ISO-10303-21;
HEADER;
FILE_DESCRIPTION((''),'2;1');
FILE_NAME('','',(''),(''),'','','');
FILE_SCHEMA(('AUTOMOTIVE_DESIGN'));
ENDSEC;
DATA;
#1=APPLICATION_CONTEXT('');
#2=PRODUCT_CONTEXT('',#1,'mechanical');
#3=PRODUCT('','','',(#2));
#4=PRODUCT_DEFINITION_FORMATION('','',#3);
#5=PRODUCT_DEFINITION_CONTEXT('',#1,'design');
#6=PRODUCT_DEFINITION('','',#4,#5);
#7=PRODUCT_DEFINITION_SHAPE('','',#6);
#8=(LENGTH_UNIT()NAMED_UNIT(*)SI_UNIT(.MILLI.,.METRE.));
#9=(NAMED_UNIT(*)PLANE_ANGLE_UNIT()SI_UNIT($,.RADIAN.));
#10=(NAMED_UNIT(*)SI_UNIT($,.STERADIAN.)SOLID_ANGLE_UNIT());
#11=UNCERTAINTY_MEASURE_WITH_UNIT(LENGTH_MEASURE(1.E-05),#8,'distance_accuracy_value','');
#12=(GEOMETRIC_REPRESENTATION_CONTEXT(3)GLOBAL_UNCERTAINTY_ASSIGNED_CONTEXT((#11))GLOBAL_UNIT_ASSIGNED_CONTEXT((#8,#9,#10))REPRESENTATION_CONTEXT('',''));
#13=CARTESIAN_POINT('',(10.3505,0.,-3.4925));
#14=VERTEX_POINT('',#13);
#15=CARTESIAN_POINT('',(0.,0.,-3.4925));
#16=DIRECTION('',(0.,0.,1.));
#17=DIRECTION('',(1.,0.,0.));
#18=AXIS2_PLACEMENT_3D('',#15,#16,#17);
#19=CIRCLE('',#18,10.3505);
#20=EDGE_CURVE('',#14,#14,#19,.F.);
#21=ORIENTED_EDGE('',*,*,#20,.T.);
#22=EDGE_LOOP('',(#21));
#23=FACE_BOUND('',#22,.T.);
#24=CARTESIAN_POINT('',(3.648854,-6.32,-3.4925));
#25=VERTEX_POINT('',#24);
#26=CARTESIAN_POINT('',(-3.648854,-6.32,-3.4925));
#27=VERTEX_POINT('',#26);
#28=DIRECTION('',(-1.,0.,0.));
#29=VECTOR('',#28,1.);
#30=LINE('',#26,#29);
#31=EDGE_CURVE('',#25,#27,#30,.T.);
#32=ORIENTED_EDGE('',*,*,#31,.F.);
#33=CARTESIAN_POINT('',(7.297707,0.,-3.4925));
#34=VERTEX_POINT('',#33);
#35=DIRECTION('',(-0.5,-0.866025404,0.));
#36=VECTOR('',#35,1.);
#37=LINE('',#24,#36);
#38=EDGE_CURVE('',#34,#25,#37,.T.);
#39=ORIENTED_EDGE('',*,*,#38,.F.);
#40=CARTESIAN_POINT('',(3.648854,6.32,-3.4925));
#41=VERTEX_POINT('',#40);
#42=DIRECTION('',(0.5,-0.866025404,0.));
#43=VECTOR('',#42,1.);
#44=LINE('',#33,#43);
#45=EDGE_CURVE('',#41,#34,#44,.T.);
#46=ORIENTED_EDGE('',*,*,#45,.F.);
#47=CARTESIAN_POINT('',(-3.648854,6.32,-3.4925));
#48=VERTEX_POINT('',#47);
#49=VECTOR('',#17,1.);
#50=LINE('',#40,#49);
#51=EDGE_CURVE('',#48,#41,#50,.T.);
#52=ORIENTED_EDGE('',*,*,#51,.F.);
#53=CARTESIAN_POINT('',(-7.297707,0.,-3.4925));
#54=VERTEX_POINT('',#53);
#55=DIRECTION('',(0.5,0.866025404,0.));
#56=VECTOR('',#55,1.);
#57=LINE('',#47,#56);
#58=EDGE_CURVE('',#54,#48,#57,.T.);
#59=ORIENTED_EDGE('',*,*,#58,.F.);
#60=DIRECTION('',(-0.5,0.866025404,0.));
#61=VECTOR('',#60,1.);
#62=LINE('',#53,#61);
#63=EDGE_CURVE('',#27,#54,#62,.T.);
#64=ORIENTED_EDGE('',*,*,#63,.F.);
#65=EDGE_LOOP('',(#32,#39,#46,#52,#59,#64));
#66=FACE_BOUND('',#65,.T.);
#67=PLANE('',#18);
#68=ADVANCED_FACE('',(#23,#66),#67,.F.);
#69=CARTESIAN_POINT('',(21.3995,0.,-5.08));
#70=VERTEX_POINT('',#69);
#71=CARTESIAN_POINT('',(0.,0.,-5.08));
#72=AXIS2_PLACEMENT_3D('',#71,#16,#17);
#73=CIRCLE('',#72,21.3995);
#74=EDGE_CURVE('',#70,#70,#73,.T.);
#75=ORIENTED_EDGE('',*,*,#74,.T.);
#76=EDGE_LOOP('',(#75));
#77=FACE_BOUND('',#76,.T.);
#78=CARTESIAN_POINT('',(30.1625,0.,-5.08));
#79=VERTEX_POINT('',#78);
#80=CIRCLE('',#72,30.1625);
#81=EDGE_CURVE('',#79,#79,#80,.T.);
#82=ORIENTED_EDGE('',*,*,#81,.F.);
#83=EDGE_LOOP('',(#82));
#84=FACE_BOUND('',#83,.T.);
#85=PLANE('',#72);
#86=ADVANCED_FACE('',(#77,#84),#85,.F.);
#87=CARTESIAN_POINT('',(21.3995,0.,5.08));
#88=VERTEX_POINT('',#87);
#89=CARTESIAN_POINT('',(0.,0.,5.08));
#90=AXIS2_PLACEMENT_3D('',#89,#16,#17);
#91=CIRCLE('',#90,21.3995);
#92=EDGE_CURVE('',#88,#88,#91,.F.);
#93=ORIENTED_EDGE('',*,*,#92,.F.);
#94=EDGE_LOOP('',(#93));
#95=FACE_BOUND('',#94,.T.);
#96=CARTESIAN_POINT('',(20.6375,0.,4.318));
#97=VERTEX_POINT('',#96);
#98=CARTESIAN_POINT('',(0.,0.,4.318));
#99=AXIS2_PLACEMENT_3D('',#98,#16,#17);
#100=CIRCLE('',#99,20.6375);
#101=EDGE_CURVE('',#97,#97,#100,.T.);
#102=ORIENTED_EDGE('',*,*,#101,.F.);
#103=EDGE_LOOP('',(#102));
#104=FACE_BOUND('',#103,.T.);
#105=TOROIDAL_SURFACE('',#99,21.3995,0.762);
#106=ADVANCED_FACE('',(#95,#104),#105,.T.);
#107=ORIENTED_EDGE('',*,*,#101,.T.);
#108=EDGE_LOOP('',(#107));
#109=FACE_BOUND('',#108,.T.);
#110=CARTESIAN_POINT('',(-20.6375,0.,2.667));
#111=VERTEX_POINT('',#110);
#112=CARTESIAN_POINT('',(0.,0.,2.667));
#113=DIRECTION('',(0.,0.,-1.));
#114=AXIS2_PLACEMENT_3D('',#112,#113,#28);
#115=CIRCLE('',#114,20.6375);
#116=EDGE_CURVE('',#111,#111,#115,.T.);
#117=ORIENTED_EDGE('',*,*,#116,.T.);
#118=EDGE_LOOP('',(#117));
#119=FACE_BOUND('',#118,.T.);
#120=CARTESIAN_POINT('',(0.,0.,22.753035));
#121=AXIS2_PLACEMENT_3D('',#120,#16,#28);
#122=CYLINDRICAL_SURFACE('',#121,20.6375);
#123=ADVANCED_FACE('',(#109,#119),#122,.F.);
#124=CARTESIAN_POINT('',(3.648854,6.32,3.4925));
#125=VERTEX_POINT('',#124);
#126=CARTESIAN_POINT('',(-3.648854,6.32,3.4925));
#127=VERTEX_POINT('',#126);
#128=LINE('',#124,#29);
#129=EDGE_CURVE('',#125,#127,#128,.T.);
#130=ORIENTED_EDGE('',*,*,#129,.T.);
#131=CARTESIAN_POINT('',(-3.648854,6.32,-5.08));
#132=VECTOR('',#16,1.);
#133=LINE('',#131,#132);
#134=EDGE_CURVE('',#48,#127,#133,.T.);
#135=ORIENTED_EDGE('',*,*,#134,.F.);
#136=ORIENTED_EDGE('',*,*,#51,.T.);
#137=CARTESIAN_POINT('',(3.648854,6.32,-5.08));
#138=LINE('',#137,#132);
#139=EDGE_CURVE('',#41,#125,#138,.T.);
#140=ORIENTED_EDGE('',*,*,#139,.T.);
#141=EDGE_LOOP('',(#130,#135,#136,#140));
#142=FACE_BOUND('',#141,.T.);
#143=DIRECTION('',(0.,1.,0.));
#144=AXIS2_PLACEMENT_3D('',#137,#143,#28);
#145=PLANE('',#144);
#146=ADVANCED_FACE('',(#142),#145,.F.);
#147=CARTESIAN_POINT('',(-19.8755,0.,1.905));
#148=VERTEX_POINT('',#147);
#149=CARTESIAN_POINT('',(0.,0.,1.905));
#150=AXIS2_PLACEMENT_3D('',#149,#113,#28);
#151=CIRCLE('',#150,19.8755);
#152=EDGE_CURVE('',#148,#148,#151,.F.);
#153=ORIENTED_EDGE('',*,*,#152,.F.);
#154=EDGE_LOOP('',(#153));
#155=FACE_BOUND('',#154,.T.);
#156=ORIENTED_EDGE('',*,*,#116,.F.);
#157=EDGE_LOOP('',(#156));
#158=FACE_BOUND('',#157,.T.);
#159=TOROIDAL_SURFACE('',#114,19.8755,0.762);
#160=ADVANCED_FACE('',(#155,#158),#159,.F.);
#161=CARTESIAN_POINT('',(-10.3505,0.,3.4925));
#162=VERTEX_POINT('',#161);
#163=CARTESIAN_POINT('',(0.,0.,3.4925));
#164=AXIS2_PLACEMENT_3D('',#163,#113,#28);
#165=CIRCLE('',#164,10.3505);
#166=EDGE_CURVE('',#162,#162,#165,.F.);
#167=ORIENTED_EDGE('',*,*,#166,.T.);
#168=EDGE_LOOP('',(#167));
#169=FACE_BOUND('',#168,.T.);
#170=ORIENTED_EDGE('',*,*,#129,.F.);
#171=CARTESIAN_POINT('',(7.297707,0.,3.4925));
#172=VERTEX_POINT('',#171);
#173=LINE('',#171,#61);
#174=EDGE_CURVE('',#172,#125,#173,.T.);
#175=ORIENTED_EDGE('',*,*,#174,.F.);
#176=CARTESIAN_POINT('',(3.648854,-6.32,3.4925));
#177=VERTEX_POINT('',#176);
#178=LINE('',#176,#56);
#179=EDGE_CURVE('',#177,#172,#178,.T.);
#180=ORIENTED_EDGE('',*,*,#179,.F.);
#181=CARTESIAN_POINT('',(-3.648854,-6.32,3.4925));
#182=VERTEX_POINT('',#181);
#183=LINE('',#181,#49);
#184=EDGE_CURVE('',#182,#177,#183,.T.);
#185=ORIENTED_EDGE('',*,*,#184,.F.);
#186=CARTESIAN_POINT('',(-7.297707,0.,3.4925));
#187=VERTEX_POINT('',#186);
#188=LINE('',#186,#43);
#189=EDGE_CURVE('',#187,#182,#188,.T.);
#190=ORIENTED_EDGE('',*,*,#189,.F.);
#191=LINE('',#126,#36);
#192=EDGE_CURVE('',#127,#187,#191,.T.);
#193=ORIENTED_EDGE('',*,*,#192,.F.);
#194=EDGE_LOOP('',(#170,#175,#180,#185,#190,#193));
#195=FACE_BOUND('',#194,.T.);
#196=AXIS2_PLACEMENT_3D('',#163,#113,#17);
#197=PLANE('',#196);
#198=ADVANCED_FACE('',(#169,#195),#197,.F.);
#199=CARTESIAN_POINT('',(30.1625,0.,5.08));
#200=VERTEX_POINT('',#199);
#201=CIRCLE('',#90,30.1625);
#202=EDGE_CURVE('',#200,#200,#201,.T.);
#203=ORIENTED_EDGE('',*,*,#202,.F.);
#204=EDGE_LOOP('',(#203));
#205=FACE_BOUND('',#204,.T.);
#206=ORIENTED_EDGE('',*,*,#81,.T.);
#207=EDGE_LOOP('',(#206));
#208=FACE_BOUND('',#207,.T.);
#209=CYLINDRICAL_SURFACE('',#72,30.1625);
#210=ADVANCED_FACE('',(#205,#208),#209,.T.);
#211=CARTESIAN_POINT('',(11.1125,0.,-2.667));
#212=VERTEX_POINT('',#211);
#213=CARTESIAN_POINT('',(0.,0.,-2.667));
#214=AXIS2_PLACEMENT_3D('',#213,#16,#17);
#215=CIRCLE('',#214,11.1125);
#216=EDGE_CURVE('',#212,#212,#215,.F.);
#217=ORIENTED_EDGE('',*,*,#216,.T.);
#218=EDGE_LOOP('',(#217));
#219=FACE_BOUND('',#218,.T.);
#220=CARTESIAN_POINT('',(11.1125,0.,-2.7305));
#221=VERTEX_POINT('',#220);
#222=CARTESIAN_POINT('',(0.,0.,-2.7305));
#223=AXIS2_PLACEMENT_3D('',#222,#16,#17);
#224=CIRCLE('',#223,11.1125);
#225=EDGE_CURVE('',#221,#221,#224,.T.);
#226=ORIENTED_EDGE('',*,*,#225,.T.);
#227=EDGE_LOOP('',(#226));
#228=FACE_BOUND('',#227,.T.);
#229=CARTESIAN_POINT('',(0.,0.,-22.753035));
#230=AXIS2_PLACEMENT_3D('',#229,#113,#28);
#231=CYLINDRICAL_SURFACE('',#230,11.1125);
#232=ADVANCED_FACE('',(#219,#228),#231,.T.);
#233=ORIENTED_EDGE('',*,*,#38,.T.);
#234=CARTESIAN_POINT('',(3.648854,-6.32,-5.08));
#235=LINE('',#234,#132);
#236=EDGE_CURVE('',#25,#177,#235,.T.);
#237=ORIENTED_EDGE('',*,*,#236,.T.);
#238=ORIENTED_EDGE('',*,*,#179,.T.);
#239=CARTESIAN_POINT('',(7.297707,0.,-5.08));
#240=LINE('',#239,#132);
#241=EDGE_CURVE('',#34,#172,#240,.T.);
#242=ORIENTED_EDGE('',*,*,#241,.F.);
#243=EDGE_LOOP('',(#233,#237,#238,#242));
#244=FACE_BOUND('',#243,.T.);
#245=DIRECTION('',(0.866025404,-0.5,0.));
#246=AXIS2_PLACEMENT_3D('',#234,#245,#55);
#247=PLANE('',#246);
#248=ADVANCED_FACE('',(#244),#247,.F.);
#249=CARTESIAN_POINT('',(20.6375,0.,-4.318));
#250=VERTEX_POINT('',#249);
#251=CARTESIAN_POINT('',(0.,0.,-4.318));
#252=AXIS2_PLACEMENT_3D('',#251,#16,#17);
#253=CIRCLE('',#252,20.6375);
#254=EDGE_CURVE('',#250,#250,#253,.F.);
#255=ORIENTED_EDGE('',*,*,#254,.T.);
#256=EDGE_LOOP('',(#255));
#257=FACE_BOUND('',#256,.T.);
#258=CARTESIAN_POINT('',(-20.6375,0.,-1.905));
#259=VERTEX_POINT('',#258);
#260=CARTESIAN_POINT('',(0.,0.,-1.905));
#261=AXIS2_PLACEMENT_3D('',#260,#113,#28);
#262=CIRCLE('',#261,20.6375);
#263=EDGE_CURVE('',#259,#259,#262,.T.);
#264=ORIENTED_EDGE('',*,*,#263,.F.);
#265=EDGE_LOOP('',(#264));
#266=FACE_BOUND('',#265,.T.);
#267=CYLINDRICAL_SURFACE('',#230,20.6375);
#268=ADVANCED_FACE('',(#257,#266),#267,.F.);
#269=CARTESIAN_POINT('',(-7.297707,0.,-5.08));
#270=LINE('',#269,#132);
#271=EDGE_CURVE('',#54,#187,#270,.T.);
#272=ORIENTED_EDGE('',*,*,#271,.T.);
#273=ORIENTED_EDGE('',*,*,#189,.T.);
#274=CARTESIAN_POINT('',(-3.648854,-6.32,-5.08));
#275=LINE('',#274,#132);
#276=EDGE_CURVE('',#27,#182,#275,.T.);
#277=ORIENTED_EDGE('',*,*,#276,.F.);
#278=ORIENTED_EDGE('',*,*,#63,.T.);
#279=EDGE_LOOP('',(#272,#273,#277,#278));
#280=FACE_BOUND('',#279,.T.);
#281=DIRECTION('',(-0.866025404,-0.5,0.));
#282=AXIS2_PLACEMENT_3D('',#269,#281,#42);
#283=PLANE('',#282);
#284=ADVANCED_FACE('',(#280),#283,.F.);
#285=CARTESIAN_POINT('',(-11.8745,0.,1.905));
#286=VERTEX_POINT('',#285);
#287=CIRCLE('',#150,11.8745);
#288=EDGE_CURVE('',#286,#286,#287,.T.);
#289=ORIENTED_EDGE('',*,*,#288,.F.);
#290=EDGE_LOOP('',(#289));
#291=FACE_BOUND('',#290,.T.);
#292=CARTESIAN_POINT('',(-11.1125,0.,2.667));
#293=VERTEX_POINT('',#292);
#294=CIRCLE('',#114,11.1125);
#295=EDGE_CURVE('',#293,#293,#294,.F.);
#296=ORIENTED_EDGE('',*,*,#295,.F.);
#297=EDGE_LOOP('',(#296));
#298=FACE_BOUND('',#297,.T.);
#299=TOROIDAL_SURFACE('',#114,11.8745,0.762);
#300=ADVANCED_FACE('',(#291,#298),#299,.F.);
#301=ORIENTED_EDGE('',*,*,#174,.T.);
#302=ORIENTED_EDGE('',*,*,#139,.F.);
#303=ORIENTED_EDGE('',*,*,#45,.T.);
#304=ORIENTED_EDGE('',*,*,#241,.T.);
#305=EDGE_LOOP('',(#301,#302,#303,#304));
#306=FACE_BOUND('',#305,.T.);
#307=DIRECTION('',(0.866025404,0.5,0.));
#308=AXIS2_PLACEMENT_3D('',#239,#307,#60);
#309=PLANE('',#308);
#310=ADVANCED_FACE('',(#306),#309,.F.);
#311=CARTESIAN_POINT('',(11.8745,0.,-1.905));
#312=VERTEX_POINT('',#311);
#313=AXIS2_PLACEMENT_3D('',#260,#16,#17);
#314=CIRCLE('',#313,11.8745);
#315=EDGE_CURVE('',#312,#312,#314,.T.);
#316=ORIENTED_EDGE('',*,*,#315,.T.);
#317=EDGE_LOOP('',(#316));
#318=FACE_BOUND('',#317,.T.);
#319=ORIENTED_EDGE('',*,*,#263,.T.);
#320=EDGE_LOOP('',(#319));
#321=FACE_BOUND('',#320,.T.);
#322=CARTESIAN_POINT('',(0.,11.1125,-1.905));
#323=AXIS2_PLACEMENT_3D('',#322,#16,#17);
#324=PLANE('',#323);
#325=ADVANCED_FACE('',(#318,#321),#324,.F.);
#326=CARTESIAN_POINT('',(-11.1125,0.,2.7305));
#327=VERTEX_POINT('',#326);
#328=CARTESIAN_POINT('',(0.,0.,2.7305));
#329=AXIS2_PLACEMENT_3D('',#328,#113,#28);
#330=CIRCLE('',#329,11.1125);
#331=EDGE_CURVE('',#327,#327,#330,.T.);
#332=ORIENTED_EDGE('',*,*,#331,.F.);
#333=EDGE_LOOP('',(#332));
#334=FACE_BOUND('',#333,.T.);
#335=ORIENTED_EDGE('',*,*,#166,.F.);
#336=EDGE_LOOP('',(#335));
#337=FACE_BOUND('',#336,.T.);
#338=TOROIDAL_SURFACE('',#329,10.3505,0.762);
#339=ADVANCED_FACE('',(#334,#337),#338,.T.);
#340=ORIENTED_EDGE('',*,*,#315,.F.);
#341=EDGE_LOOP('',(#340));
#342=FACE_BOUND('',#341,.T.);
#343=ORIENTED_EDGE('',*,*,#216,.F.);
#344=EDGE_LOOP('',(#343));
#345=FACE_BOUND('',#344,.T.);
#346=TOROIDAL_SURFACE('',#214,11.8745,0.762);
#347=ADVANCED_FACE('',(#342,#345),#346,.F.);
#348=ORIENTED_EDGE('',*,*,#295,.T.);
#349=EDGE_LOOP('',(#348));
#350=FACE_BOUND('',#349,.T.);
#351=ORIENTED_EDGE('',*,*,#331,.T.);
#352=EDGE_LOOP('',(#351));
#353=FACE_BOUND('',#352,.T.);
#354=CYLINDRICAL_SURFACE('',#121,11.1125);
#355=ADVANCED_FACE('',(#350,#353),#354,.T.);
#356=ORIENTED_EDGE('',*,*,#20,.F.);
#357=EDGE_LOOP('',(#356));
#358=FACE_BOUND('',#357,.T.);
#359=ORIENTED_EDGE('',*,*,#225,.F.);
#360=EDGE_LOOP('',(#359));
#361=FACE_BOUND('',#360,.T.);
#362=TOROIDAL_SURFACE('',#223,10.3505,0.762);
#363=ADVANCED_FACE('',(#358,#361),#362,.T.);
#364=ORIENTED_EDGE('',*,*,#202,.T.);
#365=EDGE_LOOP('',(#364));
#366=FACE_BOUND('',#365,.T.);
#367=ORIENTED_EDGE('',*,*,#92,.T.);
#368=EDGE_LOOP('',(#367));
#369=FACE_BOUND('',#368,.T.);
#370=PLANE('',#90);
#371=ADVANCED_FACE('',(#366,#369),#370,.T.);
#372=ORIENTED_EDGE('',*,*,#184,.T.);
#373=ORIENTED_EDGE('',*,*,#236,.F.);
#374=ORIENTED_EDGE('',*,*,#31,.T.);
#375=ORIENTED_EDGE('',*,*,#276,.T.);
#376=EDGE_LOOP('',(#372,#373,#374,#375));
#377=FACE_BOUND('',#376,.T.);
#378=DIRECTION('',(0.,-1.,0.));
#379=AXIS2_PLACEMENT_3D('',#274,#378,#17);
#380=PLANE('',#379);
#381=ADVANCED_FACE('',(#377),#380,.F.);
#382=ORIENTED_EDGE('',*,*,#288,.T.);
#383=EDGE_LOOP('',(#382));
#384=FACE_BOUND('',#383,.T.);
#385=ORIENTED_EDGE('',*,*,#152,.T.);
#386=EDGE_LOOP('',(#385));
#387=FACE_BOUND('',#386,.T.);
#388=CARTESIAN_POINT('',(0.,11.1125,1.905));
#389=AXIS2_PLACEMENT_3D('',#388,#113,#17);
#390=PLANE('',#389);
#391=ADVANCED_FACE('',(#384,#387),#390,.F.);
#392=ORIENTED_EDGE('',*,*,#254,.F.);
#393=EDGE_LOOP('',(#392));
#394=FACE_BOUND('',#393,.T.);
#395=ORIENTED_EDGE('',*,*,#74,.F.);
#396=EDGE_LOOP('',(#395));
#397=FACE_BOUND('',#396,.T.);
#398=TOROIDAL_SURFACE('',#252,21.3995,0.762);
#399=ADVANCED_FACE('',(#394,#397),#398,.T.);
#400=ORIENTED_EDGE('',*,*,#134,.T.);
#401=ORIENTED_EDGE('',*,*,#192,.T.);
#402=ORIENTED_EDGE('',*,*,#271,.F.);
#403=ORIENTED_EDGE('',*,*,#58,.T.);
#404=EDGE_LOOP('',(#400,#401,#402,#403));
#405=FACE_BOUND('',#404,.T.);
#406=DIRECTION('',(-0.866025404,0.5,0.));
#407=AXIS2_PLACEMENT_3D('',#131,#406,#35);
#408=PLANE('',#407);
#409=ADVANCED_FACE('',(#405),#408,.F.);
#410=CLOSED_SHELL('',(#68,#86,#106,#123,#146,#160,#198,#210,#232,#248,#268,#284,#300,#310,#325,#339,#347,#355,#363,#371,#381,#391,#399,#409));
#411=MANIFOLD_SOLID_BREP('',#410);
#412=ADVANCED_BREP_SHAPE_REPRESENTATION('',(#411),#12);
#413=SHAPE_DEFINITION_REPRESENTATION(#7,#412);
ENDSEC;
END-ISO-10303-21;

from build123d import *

# Parameters (mm, degrees)
BOSS_EXTRUDE1_DEPTH      = 5.08
BOSS_EXTRUDE1_DEPTH_BACK = 5.08
SKETCH1_R                = 30.1625
CUT_EXTRUDE1_DEPTH       = 44.849497289
FILLET1_R                = 0.762
FILLET2_R                = 0.762


with BuildPart() as part:
    # Sketch1 → Boss-Extrude1 (new, two sides: drawn at the far end of the back side and taken through both)
    with BuildSketch(Plane.XY.offset(-BOSS_EXTRUDE1_DEPTH_BACK)):
        Circle(SKETCH1_R)
    extrude(amount=BOSS_EXTRUDE1_DEPTH + BOSS_EXTRUDE1_DEPTH_BACK)

    # Sketch2 → Cut-Extrude1 (cut, through all)
    with BuildSketch(Plane.XY.offset(5.08)):
        Polygon((3.648853701, 6.32), (-3.648853701, 6.32), (-7.297707403, 0), (-3.648853701, -6.32), (3.648853701, -6.32), (7.297707403, 0), align=None)
    extrude(amount=-CUT_EXTRUDE1_DEPTH, mode=Mode.SUBTRACT)

    # Sketch3 → Cut-Revolve1 (revolve, cut)
    with BuildSketch(Plane(origin=(0, 0, 0), x_dir=(0, 0, -1), z_dir=(1, 0, 0))):
        Polygon((3.4925, 11.1125), (1.905, 11.1125), (1.905, 20.6375), (5.08, 20.6375), (5.08, 0), (3.4925, 0), align=None)
    cut_revolve1 = revolve(axis=Axis((0, 0, -22.753035396), (0, 0, 1)), mode=Mode.SUBTRACT)

    # Fillet1
    fillet1_edges = [part.edges().sort_by_distance(p)[0] for p in [
        (0, -11.1125, -1.905),
        (0, -20.6375, -5.08),
        (0, -11.1125, -3.4925),
    ]]
    fillet(fillet1_edges, radius=FILLET1_R)

    # Mirror1: Cut-Revolve1 across plane
    add(cut_revolve1.mirror(Plane.XY), mode=Mode.SUBTRACT)

    # Fillet2
    fillet2_edges = [part.edges().sort_by_distance(p)[0] for p in [
        (0, -20.6375, 5.08),
        (0, -20.6375, 1.905),
        (0, -11.1125, 1.905),
        (0, -11.1125, 3.4925),
    ]]
    fillet(fillet2_edges, radius=FILLET2_R)


solid = part.part
